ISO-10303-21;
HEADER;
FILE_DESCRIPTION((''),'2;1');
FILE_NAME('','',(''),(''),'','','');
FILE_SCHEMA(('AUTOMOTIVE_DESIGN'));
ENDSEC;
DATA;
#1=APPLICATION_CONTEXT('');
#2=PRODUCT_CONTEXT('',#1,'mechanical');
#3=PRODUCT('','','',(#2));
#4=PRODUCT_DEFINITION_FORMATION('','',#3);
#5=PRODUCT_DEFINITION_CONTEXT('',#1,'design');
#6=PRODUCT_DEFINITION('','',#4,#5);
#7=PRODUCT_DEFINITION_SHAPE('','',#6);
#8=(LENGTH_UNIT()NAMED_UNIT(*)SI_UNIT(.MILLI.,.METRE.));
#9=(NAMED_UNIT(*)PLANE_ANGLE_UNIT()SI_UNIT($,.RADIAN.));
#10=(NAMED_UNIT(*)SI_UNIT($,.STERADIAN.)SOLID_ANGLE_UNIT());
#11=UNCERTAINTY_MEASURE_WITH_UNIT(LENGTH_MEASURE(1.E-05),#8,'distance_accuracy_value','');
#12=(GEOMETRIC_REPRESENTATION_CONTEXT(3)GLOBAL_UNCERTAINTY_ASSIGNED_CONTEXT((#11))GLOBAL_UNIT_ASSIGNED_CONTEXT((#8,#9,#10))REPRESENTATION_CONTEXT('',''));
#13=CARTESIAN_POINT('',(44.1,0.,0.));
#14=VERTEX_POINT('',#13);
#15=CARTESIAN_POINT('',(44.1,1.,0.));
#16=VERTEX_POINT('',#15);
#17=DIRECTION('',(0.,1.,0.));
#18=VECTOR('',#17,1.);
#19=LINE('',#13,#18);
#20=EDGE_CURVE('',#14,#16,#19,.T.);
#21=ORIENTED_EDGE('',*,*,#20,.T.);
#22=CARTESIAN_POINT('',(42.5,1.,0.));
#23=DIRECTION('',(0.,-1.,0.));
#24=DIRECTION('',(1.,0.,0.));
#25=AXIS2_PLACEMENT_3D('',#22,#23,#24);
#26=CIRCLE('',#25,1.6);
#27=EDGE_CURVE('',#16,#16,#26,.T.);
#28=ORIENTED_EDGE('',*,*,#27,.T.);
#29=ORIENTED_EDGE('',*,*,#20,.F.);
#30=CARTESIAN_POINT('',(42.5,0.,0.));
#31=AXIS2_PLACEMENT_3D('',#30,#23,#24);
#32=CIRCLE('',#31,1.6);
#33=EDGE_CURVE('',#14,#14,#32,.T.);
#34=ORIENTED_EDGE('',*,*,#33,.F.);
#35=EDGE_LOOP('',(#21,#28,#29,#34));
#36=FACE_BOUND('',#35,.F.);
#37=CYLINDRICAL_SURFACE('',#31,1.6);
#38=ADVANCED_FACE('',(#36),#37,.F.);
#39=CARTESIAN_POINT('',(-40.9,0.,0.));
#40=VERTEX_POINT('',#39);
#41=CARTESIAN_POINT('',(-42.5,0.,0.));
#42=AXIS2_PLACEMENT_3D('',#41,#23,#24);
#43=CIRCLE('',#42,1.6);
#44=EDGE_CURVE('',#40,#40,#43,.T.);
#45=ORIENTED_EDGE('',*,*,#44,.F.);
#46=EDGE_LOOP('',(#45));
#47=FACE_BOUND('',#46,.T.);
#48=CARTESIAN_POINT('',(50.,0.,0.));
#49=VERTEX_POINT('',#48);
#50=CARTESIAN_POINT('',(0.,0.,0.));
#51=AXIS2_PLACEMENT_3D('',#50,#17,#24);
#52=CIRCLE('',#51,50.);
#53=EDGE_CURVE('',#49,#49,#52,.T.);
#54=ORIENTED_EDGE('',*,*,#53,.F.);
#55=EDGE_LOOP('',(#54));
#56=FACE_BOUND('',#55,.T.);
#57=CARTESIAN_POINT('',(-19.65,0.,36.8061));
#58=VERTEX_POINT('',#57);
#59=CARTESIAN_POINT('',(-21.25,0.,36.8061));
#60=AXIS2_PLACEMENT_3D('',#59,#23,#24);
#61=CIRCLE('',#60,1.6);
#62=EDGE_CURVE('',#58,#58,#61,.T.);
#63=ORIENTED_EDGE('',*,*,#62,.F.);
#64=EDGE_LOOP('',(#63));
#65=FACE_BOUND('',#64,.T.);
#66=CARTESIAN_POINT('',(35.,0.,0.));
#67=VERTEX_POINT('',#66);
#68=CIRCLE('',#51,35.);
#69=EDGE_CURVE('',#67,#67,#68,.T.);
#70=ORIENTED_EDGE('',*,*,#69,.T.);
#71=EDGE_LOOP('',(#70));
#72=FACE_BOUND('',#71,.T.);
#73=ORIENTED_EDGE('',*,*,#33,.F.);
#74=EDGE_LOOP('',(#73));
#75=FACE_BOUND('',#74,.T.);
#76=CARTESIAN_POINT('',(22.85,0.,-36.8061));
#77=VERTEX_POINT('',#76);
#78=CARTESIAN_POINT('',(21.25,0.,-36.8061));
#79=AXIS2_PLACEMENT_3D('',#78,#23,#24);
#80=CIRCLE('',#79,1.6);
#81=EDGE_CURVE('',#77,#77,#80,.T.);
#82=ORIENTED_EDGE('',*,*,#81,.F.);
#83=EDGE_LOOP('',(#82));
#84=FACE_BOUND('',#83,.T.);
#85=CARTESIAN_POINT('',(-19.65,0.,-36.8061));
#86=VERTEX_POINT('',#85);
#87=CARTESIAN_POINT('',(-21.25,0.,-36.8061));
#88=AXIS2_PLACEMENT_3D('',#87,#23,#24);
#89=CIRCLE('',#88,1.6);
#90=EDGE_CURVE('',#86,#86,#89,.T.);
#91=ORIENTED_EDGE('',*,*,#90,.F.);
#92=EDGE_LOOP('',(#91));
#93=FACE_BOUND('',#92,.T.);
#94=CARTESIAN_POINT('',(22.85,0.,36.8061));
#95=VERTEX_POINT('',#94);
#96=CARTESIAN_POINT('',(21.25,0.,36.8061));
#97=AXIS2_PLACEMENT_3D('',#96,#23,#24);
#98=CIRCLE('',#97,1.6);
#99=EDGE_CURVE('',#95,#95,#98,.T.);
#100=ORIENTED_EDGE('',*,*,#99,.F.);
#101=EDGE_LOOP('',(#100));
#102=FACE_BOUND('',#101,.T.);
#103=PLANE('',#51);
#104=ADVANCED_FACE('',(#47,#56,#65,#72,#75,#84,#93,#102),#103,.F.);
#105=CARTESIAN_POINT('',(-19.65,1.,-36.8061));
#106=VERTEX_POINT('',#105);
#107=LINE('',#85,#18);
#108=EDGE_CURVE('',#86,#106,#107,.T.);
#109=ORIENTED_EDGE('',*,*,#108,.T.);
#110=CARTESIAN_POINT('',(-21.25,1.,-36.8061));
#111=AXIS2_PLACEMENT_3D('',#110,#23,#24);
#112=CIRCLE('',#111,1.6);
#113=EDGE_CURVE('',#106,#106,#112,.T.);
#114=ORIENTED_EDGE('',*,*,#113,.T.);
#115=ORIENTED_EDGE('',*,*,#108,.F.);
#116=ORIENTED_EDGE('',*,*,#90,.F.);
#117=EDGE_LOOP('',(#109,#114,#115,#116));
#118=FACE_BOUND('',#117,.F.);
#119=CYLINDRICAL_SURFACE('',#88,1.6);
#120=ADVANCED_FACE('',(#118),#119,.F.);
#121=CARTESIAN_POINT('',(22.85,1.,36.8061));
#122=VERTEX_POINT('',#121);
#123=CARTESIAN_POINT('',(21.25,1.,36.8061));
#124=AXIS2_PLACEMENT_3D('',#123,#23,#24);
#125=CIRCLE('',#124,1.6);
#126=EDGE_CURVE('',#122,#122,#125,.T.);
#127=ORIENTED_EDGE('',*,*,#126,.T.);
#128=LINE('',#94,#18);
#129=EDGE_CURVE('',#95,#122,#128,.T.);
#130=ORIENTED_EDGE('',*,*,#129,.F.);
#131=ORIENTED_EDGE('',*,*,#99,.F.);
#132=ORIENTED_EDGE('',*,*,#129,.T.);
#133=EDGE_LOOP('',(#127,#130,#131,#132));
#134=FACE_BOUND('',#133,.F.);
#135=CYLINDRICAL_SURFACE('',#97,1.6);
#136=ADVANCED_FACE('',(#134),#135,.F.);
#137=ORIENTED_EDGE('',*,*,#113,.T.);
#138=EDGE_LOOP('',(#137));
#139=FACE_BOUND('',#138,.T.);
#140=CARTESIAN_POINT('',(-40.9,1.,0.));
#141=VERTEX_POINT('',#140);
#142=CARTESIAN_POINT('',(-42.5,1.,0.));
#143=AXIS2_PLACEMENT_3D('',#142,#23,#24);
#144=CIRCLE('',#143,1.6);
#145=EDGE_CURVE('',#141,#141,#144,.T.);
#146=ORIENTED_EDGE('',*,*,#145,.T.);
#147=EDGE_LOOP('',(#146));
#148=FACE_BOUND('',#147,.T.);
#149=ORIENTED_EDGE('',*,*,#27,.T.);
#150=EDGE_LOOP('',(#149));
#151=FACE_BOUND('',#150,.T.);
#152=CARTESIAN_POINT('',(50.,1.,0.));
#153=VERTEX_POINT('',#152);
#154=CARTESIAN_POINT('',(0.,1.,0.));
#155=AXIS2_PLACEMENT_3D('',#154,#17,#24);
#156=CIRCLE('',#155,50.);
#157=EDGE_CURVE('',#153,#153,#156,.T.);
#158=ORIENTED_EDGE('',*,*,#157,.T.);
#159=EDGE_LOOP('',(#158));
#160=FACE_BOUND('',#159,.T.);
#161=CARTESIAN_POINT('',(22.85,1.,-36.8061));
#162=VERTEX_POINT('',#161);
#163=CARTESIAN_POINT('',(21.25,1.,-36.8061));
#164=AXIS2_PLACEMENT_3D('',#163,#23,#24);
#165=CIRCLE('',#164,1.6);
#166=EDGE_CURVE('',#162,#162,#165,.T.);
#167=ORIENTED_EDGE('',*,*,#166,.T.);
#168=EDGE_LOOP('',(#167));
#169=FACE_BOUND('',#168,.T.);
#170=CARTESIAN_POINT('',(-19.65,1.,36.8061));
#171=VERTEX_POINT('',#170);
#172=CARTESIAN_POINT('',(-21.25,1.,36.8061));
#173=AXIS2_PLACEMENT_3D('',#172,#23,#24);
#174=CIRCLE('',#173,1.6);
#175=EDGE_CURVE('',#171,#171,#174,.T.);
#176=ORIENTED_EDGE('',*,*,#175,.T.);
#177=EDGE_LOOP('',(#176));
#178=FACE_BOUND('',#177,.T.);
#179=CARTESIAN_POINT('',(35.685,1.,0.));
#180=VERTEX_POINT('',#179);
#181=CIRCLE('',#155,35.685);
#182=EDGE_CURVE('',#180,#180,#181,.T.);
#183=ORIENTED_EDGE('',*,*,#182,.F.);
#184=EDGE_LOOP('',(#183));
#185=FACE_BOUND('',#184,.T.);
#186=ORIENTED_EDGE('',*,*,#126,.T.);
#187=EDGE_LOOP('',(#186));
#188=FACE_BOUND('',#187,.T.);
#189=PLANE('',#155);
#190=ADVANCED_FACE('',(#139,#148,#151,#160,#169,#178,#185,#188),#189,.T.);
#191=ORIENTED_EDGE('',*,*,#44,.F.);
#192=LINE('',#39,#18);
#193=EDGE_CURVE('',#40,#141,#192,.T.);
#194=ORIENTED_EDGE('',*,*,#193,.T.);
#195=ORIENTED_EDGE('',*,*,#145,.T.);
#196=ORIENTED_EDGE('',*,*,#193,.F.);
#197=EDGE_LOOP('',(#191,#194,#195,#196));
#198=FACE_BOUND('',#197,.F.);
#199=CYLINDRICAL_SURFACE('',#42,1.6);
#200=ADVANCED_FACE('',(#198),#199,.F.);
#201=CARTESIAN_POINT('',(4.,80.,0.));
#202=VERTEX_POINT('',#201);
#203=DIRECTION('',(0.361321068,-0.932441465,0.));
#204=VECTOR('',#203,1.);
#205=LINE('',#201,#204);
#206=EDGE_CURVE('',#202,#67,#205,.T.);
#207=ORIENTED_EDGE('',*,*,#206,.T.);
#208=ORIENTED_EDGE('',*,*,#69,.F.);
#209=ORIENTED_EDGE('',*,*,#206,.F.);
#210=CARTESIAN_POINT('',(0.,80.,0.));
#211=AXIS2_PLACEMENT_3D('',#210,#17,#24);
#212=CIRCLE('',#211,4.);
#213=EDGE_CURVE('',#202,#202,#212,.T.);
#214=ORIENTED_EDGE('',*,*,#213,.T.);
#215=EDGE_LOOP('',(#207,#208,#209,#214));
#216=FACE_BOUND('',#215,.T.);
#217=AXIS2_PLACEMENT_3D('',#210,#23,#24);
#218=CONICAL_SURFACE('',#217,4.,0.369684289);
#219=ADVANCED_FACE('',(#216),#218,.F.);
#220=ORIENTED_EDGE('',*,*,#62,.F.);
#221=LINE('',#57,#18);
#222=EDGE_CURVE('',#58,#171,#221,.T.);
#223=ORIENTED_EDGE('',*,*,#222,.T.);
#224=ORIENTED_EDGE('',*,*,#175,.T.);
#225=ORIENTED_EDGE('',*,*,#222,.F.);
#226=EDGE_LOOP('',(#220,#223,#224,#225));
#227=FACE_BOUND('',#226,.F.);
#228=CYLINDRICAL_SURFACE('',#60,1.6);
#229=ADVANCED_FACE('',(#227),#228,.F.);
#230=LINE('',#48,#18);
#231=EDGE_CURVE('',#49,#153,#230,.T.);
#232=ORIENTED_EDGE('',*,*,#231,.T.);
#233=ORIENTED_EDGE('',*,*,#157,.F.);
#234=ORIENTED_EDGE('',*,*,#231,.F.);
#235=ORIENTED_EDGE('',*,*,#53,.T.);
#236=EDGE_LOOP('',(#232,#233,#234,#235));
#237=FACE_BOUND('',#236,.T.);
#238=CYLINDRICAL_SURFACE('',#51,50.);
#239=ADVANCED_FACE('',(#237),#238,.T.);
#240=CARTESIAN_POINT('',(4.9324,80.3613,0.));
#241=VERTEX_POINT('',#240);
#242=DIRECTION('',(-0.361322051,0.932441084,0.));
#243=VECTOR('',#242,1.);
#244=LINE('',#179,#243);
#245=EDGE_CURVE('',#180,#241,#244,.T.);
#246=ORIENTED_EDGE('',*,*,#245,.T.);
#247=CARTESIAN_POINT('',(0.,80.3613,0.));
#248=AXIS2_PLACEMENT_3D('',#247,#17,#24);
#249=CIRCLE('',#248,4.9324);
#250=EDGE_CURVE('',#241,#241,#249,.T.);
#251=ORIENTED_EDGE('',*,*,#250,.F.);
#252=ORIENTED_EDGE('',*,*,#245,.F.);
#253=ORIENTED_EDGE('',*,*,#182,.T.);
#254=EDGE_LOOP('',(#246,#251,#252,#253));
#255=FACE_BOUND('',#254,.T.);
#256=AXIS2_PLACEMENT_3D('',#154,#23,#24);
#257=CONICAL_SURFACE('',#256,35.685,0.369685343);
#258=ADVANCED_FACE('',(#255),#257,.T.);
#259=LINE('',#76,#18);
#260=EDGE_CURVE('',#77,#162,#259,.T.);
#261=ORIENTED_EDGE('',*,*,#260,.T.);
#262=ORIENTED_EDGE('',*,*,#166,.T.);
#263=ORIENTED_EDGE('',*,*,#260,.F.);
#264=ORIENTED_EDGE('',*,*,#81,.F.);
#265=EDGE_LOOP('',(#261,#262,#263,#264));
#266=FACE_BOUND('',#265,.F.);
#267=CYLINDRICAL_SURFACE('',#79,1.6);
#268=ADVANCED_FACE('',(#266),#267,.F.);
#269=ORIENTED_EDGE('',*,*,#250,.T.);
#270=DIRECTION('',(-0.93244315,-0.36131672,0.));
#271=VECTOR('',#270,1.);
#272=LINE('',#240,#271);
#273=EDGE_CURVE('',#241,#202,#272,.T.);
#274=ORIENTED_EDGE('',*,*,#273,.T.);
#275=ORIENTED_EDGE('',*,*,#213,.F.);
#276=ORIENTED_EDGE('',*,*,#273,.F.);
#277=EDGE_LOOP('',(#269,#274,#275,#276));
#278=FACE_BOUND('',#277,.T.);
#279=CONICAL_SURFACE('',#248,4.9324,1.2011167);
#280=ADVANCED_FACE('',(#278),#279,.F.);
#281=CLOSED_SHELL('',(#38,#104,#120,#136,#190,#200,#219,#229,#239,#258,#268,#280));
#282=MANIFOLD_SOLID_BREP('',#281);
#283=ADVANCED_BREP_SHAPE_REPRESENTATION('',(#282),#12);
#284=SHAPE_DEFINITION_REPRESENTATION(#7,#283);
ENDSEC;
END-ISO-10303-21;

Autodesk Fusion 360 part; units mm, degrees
sketch "Esquisse1" plane through (0, 0, 0) normal (0, 0, 1) x (1, 0, 0)
  line L0 (0, 0) -> (0, 80)
  line L1 (0, 0) -> (50, 0) construction
  line L2 (50, 0) -> (50, 1)
  line L3 (50, 1) -> (35.685, 1)
  line L4 (35.685, 1) -> (4.9324, 80.3613)
  line L5 (4, 80) -> (35, 0)
  line L6 (35, 0) -> (50, 0)
  line L7 (4.9324, 80.3613) -> (4, 80)
  line L8 (4, 80) -> (0, 80) construction
  dimension "d1" = 1
  dimension "d2" = 35
  dimension "d3" = 15
  dimension "d4" = 4
  dimension "d5" = 80
revolve "Révolution1" add sketch "Esquisse1" angle 360 about axis through (0, 0, 0) along (0, 1, 0)
sketch "Esquisse2" plane through (0, 0, 0) normal (0, -1, 0) x (1, 0, 0)
  circle A0 centre (0, 0) radius 50
  circle A1 centre (0, 0) radius 35
  line L0 (21.25, 36.8061) -> (-21.25, 36.8061) construction
  line L1 (-21.25, 36.8061) -> (-42.5, 0) construction
  line L2 (-42.5, 0) -> (-21.25, -36.8061) construction
  line L3 (-21.25, -36.8061) -> (21.25, -36.8061) construction
  line L4 (21.25, -36.8061) -> (42.5, 0) construction
  line L5 (42.5, 0) -> (21.25, 36.8061) construction
  line L6 (-50, 0) -> (50, 0) construction
  circle A2 centre (0, 0) radius 42.5 construction
  circle A3 centre (-21.25, 36.8061) radius 1.6
  circle A4 centre (21.25, 36.8061) radius 1.6
  circle A5 centre (42.5, 0) radius 1.6
  circle A6 centre (21.25, -36.8061) radius 1.6
  circle A7 centre (-21.25, -36.8061) radius 1.6
  circle A8 centre (-42.5, 0) radius 1.6
  dimension "d7" = 7.5
  dimension "d8" = 3.2
extrude "Extrusion1" cut sketch "Esquisse2" against normal through all contours A3 | A4 | A5 | A6 | A7 | A8
equation "d2 = ( 70 / 2 ) * 1 mm"
